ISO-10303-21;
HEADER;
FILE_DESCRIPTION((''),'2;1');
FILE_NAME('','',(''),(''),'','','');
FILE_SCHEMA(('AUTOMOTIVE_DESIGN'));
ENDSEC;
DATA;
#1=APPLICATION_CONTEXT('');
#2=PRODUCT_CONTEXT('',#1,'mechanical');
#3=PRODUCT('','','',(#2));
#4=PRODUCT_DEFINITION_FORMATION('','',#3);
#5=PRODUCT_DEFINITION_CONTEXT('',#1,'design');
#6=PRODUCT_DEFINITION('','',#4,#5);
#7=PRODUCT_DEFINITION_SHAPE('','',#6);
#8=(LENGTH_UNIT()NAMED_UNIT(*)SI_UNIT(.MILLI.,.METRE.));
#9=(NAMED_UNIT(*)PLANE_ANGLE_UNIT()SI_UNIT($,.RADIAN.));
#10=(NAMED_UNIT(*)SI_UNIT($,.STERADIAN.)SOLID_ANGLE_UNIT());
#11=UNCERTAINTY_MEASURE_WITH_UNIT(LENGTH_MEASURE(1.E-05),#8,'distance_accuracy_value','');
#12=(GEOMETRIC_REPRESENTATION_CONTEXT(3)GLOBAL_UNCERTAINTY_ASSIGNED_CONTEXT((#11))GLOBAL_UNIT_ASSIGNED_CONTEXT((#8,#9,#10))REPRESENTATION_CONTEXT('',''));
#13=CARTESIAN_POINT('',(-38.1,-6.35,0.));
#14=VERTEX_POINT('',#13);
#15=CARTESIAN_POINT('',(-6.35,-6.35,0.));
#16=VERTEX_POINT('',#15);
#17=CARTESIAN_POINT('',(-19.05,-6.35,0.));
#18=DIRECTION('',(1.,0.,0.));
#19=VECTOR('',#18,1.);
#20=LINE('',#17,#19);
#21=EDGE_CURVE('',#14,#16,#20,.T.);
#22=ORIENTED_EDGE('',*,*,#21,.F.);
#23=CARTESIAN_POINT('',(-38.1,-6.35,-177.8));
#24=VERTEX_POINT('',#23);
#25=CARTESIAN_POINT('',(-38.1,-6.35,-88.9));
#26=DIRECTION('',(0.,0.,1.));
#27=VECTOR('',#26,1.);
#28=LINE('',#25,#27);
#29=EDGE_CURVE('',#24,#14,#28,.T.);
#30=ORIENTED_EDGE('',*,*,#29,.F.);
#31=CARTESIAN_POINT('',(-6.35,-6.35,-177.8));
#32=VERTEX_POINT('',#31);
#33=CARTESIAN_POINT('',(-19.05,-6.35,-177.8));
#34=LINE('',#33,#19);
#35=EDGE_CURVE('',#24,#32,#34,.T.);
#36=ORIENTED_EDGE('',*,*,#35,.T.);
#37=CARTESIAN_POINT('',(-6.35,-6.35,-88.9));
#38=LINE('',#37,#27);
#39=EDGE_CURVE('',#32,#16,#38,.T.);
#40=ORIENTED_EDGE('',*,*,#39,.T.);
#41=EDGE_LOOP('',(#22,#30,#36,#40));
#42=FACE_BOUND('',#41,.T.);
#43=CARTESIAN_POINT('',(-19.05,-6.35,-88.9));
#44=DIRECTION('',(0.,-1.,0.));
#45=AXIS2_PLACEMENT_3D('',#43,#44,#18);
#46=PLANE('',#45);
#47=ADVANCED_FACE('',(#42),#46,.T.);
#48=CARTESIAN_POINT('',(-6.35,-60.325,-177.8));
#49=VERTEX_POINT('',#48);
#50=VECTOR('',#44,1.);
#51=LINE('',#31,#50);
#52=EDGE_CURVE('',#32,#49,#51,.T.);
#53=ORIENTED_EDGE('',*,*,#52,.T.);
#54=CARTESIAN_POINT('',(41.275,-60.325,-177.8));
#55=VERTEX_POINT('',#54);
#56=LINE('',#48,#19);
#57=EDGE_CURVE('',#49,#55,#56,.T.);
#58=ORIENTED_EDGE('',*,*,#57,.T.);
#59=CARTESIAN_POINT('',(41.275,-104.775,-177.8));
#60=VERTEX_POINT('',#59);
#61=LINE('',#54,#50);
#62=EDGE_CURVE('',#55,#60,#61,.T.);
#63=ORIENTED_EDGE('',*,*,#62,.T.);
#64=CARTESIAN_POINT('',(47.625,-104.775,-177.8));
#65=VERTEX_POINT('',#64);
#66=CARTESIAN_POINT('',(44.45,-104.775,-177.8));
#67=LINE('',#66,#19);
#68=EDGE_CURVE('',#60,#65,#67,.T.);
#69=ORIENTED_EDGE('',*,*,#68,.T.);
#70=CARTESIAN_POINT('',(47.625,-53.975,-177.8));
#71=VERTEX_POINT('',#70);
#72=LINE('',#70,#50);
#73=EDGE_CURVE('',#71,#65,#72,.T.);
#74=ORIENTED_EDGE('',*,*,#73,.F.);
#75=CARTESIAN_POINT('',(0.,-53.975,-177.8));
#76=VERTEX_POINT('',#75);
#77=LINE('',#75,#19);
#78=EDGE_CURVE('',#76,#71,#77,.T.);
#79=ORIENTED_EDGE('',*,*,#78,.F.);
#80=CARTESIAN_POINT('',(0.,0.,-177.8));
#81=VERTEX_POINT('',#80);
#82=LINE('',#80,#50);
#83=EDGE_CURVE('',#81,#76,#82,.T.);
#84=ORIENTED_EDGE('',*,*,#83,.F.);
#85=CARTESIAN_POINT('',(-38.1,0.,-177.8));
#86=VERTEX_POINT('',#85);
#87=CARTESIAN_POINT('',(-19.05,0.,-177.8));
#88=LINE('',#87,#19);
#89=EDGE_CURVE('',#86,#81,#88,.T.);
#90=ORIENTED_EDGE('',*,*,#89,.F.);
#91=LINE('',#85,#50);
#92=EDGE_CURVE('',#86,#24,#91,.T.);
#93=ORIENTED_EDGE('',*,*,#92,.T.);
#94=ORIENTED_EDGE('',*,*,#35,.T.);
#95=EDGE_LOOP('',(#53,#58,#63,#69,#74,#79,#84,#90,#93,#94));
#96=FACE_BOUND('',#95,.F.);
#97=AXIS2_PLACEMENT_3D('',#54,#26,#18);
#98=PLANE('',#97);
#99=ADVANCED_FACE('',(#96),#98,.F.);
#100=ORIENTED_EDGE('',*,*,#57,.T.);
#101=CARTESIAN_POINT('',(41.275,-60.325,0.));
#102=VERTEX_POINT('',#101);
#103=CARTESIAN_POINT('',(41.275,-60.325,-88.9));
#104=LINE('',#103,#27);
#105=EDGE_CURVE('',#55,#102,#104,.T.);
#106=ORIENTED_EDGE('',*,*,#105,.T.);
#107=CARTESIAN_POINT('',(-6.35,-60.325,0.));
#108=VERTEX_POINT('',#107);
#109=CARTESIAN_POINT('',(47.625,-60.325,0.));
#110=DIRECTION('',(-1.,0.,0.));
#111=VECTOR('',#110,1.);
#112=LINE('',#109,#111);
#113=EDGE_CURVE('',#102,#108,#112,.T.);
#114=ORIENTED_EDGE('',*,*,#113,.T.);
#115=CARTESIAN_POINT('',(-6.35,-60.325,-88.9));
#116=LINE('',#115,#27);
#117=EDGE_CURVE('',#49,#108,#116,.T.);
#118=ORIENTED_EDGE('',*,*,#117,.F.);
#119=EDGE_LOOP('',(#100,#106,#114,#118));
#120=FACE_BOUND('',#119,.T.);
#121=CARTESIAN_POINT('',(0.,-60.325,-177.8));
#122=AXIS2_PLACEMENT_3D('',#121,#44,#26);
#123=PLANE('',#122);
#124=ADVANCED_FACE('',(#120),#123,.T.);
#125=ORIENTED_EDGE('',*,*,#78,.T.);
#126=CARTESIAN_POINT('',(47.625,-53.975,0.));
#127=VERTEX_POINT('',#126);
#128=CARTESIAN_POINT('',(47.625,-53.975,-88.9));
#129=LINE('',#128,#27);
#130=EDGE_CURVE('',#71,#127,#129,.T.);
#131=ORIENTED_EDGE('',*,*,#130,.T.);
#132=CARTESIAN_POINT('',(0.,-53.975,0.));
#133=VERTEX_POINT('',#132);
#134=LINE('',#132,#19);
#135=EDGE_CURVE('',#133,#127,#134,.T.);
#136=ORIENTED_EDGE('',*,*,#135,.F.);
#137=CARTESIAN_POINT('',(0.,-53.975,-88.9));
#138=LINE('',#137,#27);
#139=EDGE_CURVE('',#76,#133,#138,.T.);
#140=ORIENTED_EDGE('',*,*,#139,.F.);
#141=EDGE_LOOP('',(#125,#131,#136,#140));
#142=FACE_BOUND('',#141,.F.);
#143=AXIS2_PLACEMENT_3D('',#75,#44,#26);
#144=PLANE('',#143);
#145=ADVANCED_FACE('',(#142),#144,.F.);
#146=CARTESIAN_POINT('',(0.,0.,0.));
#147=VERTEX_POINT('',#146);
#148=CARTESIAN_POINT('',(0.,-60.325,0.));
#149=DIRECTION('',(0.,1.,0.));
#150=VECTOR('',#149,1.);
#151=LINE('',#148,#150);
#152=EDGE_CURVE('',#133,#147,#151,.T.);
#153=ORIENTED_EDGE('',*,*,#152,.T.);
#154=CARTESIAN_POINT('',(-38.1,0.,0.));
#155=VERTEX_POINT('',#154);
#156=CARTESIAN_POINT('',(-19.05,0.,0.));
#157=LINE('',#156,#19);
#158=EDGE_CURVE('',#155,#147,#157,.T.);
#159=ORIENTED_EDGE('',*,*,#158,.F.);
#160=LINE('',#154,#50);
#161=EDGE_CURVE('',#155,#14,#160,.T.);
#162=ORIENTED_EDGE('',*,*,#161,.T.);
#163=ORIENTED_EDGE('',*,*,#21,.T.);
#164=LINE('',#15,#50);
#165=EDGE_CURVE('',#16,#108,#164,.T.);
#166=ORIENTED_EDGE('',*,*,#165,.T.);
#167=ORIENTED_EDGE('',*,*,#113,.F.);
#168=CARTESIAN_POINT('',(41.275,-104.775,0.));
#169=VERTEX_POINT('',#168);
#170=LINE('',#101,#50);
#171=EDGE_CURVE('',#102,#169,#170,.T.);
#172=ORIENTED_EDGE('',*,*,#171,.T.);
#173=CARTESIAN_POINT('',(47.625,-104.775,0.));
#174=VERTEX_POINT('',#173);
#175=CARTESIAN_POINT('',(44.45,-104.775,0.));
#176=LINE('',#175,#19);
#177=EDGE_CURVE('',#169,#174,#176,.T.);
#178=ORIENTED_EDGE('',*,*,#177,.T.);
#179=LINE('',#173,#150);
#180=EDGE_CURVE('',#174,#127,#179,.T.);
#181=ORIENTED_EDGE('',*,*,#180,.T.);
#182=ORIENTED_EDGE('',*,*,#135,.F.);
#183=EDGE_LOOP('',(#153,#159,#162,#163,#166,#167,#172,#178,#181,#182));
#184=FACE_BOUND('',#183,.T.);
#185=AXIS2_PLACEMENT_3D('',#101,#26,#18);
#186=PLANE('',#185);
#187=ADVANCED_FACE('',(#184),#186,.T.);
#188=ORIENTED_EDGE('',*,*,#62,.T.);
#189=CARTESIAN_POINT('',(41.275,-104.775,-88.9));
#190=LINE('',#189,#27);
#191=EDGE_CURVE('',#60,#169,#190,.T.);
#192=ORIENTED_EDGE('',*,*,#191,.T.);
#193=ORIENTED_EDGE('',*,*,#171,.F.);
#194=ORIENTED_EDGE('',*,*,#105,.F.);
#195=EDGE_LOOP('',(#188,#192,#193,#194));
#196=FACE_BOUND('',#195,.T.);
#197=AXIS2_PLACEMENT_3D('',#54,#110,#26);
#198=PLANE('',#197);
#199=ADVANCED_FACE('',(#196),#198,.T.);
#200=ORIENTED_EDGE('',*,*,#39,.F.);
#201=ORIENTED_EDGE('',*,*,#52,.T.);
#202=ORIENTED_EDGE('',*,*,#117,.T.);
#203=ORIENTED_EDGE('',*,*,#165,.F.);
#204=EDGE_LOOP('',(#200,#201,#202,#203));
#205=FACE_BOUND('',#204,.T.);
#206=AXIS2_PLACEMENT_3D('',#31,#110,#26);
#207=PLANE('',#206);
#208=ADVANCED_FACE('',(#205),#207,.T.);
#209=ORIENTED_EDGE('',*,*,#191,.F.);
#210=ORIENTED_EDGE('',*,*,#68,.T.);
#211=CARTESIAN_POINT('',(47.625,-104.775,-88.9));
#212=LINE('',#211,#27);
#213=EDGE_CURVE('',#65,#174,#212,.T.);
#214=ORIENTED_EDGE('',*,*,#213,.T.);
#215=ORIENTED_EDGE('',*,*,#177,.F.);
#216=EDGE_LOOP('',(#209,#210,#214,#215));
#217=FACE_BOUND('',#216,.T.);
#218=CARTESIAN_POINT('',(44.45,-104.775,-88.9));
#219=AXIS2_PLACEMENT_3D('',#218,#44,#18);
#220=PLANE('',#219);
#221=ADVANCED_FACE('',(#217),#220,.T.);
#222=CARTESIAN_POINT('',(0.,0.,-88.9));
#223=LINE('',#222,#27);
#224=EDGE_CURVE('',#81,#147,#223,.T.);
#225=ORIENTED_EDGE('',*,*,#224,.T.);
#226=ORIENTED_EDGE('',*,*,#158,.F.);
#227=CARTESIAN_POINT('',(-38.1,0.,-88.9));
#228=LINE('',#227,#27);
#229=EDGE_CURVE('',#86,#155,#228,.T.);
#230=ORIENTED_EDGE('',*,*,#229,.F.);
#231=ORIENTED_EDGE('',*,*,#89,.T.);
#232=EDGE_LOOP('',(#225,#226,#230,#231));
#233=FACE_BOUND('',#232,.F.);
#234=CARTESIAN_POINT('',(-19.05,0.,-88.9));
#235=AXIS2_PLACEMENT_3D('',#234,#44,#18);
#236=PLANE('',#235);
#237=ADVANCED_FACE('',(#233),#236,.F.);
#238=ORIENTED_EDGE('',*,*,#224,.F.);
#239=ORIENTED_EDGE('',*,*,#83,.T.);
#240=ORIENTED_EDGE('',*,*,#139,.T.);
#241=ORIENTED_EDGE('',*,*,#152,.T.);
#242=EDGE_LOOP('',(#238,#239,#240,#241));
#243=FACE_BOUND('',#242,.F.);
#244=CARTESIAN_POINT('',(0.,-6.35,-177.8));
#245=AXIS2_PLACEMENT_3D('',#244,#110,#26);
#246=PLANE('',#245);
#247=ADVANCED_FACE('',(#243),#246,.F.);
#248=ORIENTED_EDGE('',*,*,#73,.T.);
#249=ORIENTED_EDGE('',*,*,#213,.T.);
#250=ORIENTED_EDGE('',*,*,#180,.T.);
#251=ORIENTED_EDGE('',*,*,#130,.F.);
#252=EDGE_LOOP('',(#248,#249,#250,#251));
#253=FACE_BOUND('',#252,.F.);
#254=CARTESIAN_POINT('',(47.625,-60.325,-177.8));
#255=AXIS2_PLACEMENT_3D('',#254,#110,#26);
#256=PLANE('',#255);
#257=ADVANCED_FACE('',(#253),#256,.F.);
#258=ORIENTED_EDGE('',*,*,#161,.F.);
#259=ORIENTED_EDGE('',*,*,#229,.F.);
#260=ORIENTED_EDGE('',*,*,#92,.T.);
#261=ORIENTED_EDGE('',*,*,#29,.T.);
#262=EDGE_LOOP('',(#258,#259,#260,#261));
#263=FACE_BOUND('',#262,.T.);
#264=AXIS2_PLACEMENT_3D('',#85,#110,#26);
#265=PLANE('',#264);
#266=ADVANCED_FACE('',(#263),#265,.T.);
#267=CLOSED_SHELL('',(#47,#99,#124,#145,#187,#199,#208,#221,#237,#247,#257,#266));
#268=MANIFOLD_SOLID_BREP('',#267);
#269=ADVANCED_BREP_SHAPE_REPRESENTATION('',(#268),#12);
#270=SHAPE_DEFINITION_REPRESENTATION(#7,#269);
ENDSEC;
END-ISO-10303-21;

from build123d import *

# Parameters (mm, degrees)
F0_W     = 38.1
F0_H     = 177.8
F1_DEPTH = 6.35
F2_W     = 6.35
F2_H     = 177.8
F3_DEPTH = 53.975
F4_W     = 6.35
F4_H     = 177.8
F5_DEPTH = 47.625
F6_W     = 6.35
F6_H     = 177.8
F7_DEPTH = 44.45


with BuildPart() as f1:
    # F0 (on Front) → F1 (new body)
    with BuildSketch(Plane.XZ):
        with Locations((-19.05, -88.9)):
            Rectangle(F0_W, F0_H)
    extrude(amount=F1_DEPTH)

    # F2 (on face) → F3 (join)
    with BuildSketch(Plane.XZ.offset(6.35)):
        with Locations((-3.175, -88.9)):
            Rectangle(F2_W, F2_H)
    extrude(amount=F3_DEPTH)

    # F4 (on face) → F5 (join)
    with BuildSketch(Plane.YZ):
        with Locations((-57.15, -88.9)):
            Rectangle(F4_W, F4_H)
    extrude(amount=F5_DEPTH)

    # F6 (on face) → F7 (join)
    with BuildSketch(Plane.XZ.offset(60.325)):
        with Locations((44.45, -88.9)):
            Rectangle(F6_W, F6_H)
    extrude(amount=F7_DEPTH)


solid = f1.part
